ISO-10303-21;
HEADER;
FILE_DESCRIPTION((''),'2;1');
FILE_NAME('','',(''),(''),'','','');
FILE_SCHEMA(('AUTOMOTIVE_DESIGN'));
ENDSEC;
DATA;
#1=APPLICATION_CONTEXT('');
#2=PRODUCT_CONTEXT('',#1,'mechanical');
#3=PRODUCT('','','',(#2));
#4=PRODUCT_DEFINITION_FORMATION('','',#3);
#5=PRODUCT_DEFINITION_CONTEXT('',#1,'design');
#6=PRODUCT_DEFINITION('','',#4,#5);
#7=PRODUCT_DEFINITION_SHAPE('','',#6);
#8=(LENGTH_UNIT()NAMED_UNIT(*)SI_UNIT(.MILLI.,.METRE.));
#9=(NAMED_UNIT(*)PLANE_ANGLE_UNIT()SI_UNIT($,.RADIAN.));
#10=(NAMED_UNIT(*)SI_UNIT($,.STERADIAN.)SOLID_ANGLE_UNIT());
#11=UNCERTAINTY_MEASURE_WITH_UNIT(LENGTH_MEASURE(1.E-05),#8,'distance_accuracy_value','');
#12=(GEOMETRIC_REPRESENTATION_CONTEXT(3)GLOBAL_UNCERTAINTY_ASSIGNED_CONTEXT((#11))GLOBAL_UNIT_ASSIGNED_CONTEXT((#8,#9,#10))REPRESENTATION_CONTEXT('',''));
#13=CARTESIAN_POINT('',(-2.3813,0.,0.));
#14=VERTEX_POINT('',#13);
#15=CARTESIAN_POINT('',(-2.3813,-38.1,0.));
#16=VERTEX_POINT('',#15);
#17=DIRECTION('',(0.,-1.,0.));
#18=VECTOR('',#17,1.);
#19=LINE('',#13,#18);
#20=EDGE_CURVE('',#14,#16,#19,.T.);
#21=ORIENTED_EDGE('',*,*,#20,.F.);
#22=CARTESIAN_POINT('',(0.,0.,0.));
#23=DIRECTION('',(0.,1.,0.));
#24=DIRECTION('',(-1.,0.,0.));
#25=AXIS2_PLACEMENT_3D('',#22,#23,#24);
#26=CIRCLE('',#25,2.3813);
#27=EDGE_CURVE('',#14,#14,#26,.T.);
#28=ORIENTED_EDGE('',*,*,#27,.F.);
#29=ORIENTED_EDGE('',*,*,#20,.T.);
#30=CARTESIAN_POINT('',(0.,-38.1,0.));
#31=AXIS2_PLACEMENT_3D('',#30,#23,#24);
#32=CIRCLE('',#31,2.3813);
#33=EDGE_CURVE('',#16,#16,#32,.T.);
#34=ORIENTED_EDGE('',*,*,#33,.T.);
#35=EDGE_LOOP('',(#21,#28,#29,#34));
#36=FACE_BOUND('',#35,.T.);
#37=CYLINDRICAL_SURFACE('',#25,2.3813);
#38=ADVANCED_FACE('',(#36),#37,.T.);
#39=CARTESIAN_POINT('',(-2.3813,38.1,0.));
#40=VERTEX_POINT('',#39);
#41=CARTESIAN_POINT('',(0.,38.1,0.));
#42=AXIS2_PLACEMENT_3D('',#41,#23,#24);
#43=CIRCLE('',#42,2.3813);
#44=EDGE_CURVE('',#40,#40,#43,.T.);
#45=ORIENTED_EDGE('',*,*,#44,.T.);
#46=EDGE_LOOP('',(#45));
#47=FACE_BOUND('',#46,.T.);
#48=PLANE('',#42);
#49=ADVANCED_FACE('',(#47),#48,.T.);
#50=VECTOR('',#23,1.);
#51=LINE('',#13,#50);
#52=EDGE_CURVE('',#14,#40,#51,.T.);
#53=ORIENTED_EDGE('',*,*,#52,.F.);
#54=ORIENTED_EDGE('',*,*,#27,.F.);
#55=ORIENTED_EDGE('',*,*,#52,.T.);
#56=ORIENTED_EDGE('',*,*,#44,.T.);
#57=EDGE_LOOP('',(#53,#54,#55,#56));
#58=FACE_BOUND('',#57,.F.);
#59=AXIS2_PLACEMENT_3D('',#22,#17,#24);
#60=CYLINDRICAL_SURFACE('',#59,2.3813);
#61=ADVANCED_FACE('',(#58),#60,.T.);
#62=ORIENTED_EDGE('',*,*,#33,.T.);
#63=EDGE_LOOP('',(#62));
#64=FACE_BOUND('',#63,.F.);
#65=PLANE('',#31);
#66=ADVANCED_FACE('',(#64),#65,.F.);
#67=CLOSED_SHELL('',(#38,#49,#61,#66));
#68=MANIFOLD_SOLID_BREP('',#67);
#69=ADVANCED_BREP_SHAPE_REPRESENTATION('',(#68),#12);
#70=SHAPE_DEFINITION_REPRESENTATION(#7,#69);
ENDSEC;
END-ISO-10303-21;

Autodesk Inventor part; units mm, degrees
ref_plane "YZ Plane" through (0, 0, 0) normal (1, 0, 0) x (0, 1, 0)
ref_plane "XZ Plane" through (0, 0, 0) normal (0, 1, 0) x (-1, 0, 0)
ref_plane "XY Plane" through (0, 0, 0) normal (0, 0, 1) x (1, 0, 0)
sketch "Sketch1" plane through (0, 0, 0) normal (0, 1, 0) x (-1, 0, 0)
  circle A0 centre (0, 0) radius 2.3813
  dimension "d0" = 4.7625
extrude "Extrusion1" add sketch "Sketch1" along normal mid plane 76.2
properties part number "0_1875  in diam aluminum rod" material "Aluminum 6061"
